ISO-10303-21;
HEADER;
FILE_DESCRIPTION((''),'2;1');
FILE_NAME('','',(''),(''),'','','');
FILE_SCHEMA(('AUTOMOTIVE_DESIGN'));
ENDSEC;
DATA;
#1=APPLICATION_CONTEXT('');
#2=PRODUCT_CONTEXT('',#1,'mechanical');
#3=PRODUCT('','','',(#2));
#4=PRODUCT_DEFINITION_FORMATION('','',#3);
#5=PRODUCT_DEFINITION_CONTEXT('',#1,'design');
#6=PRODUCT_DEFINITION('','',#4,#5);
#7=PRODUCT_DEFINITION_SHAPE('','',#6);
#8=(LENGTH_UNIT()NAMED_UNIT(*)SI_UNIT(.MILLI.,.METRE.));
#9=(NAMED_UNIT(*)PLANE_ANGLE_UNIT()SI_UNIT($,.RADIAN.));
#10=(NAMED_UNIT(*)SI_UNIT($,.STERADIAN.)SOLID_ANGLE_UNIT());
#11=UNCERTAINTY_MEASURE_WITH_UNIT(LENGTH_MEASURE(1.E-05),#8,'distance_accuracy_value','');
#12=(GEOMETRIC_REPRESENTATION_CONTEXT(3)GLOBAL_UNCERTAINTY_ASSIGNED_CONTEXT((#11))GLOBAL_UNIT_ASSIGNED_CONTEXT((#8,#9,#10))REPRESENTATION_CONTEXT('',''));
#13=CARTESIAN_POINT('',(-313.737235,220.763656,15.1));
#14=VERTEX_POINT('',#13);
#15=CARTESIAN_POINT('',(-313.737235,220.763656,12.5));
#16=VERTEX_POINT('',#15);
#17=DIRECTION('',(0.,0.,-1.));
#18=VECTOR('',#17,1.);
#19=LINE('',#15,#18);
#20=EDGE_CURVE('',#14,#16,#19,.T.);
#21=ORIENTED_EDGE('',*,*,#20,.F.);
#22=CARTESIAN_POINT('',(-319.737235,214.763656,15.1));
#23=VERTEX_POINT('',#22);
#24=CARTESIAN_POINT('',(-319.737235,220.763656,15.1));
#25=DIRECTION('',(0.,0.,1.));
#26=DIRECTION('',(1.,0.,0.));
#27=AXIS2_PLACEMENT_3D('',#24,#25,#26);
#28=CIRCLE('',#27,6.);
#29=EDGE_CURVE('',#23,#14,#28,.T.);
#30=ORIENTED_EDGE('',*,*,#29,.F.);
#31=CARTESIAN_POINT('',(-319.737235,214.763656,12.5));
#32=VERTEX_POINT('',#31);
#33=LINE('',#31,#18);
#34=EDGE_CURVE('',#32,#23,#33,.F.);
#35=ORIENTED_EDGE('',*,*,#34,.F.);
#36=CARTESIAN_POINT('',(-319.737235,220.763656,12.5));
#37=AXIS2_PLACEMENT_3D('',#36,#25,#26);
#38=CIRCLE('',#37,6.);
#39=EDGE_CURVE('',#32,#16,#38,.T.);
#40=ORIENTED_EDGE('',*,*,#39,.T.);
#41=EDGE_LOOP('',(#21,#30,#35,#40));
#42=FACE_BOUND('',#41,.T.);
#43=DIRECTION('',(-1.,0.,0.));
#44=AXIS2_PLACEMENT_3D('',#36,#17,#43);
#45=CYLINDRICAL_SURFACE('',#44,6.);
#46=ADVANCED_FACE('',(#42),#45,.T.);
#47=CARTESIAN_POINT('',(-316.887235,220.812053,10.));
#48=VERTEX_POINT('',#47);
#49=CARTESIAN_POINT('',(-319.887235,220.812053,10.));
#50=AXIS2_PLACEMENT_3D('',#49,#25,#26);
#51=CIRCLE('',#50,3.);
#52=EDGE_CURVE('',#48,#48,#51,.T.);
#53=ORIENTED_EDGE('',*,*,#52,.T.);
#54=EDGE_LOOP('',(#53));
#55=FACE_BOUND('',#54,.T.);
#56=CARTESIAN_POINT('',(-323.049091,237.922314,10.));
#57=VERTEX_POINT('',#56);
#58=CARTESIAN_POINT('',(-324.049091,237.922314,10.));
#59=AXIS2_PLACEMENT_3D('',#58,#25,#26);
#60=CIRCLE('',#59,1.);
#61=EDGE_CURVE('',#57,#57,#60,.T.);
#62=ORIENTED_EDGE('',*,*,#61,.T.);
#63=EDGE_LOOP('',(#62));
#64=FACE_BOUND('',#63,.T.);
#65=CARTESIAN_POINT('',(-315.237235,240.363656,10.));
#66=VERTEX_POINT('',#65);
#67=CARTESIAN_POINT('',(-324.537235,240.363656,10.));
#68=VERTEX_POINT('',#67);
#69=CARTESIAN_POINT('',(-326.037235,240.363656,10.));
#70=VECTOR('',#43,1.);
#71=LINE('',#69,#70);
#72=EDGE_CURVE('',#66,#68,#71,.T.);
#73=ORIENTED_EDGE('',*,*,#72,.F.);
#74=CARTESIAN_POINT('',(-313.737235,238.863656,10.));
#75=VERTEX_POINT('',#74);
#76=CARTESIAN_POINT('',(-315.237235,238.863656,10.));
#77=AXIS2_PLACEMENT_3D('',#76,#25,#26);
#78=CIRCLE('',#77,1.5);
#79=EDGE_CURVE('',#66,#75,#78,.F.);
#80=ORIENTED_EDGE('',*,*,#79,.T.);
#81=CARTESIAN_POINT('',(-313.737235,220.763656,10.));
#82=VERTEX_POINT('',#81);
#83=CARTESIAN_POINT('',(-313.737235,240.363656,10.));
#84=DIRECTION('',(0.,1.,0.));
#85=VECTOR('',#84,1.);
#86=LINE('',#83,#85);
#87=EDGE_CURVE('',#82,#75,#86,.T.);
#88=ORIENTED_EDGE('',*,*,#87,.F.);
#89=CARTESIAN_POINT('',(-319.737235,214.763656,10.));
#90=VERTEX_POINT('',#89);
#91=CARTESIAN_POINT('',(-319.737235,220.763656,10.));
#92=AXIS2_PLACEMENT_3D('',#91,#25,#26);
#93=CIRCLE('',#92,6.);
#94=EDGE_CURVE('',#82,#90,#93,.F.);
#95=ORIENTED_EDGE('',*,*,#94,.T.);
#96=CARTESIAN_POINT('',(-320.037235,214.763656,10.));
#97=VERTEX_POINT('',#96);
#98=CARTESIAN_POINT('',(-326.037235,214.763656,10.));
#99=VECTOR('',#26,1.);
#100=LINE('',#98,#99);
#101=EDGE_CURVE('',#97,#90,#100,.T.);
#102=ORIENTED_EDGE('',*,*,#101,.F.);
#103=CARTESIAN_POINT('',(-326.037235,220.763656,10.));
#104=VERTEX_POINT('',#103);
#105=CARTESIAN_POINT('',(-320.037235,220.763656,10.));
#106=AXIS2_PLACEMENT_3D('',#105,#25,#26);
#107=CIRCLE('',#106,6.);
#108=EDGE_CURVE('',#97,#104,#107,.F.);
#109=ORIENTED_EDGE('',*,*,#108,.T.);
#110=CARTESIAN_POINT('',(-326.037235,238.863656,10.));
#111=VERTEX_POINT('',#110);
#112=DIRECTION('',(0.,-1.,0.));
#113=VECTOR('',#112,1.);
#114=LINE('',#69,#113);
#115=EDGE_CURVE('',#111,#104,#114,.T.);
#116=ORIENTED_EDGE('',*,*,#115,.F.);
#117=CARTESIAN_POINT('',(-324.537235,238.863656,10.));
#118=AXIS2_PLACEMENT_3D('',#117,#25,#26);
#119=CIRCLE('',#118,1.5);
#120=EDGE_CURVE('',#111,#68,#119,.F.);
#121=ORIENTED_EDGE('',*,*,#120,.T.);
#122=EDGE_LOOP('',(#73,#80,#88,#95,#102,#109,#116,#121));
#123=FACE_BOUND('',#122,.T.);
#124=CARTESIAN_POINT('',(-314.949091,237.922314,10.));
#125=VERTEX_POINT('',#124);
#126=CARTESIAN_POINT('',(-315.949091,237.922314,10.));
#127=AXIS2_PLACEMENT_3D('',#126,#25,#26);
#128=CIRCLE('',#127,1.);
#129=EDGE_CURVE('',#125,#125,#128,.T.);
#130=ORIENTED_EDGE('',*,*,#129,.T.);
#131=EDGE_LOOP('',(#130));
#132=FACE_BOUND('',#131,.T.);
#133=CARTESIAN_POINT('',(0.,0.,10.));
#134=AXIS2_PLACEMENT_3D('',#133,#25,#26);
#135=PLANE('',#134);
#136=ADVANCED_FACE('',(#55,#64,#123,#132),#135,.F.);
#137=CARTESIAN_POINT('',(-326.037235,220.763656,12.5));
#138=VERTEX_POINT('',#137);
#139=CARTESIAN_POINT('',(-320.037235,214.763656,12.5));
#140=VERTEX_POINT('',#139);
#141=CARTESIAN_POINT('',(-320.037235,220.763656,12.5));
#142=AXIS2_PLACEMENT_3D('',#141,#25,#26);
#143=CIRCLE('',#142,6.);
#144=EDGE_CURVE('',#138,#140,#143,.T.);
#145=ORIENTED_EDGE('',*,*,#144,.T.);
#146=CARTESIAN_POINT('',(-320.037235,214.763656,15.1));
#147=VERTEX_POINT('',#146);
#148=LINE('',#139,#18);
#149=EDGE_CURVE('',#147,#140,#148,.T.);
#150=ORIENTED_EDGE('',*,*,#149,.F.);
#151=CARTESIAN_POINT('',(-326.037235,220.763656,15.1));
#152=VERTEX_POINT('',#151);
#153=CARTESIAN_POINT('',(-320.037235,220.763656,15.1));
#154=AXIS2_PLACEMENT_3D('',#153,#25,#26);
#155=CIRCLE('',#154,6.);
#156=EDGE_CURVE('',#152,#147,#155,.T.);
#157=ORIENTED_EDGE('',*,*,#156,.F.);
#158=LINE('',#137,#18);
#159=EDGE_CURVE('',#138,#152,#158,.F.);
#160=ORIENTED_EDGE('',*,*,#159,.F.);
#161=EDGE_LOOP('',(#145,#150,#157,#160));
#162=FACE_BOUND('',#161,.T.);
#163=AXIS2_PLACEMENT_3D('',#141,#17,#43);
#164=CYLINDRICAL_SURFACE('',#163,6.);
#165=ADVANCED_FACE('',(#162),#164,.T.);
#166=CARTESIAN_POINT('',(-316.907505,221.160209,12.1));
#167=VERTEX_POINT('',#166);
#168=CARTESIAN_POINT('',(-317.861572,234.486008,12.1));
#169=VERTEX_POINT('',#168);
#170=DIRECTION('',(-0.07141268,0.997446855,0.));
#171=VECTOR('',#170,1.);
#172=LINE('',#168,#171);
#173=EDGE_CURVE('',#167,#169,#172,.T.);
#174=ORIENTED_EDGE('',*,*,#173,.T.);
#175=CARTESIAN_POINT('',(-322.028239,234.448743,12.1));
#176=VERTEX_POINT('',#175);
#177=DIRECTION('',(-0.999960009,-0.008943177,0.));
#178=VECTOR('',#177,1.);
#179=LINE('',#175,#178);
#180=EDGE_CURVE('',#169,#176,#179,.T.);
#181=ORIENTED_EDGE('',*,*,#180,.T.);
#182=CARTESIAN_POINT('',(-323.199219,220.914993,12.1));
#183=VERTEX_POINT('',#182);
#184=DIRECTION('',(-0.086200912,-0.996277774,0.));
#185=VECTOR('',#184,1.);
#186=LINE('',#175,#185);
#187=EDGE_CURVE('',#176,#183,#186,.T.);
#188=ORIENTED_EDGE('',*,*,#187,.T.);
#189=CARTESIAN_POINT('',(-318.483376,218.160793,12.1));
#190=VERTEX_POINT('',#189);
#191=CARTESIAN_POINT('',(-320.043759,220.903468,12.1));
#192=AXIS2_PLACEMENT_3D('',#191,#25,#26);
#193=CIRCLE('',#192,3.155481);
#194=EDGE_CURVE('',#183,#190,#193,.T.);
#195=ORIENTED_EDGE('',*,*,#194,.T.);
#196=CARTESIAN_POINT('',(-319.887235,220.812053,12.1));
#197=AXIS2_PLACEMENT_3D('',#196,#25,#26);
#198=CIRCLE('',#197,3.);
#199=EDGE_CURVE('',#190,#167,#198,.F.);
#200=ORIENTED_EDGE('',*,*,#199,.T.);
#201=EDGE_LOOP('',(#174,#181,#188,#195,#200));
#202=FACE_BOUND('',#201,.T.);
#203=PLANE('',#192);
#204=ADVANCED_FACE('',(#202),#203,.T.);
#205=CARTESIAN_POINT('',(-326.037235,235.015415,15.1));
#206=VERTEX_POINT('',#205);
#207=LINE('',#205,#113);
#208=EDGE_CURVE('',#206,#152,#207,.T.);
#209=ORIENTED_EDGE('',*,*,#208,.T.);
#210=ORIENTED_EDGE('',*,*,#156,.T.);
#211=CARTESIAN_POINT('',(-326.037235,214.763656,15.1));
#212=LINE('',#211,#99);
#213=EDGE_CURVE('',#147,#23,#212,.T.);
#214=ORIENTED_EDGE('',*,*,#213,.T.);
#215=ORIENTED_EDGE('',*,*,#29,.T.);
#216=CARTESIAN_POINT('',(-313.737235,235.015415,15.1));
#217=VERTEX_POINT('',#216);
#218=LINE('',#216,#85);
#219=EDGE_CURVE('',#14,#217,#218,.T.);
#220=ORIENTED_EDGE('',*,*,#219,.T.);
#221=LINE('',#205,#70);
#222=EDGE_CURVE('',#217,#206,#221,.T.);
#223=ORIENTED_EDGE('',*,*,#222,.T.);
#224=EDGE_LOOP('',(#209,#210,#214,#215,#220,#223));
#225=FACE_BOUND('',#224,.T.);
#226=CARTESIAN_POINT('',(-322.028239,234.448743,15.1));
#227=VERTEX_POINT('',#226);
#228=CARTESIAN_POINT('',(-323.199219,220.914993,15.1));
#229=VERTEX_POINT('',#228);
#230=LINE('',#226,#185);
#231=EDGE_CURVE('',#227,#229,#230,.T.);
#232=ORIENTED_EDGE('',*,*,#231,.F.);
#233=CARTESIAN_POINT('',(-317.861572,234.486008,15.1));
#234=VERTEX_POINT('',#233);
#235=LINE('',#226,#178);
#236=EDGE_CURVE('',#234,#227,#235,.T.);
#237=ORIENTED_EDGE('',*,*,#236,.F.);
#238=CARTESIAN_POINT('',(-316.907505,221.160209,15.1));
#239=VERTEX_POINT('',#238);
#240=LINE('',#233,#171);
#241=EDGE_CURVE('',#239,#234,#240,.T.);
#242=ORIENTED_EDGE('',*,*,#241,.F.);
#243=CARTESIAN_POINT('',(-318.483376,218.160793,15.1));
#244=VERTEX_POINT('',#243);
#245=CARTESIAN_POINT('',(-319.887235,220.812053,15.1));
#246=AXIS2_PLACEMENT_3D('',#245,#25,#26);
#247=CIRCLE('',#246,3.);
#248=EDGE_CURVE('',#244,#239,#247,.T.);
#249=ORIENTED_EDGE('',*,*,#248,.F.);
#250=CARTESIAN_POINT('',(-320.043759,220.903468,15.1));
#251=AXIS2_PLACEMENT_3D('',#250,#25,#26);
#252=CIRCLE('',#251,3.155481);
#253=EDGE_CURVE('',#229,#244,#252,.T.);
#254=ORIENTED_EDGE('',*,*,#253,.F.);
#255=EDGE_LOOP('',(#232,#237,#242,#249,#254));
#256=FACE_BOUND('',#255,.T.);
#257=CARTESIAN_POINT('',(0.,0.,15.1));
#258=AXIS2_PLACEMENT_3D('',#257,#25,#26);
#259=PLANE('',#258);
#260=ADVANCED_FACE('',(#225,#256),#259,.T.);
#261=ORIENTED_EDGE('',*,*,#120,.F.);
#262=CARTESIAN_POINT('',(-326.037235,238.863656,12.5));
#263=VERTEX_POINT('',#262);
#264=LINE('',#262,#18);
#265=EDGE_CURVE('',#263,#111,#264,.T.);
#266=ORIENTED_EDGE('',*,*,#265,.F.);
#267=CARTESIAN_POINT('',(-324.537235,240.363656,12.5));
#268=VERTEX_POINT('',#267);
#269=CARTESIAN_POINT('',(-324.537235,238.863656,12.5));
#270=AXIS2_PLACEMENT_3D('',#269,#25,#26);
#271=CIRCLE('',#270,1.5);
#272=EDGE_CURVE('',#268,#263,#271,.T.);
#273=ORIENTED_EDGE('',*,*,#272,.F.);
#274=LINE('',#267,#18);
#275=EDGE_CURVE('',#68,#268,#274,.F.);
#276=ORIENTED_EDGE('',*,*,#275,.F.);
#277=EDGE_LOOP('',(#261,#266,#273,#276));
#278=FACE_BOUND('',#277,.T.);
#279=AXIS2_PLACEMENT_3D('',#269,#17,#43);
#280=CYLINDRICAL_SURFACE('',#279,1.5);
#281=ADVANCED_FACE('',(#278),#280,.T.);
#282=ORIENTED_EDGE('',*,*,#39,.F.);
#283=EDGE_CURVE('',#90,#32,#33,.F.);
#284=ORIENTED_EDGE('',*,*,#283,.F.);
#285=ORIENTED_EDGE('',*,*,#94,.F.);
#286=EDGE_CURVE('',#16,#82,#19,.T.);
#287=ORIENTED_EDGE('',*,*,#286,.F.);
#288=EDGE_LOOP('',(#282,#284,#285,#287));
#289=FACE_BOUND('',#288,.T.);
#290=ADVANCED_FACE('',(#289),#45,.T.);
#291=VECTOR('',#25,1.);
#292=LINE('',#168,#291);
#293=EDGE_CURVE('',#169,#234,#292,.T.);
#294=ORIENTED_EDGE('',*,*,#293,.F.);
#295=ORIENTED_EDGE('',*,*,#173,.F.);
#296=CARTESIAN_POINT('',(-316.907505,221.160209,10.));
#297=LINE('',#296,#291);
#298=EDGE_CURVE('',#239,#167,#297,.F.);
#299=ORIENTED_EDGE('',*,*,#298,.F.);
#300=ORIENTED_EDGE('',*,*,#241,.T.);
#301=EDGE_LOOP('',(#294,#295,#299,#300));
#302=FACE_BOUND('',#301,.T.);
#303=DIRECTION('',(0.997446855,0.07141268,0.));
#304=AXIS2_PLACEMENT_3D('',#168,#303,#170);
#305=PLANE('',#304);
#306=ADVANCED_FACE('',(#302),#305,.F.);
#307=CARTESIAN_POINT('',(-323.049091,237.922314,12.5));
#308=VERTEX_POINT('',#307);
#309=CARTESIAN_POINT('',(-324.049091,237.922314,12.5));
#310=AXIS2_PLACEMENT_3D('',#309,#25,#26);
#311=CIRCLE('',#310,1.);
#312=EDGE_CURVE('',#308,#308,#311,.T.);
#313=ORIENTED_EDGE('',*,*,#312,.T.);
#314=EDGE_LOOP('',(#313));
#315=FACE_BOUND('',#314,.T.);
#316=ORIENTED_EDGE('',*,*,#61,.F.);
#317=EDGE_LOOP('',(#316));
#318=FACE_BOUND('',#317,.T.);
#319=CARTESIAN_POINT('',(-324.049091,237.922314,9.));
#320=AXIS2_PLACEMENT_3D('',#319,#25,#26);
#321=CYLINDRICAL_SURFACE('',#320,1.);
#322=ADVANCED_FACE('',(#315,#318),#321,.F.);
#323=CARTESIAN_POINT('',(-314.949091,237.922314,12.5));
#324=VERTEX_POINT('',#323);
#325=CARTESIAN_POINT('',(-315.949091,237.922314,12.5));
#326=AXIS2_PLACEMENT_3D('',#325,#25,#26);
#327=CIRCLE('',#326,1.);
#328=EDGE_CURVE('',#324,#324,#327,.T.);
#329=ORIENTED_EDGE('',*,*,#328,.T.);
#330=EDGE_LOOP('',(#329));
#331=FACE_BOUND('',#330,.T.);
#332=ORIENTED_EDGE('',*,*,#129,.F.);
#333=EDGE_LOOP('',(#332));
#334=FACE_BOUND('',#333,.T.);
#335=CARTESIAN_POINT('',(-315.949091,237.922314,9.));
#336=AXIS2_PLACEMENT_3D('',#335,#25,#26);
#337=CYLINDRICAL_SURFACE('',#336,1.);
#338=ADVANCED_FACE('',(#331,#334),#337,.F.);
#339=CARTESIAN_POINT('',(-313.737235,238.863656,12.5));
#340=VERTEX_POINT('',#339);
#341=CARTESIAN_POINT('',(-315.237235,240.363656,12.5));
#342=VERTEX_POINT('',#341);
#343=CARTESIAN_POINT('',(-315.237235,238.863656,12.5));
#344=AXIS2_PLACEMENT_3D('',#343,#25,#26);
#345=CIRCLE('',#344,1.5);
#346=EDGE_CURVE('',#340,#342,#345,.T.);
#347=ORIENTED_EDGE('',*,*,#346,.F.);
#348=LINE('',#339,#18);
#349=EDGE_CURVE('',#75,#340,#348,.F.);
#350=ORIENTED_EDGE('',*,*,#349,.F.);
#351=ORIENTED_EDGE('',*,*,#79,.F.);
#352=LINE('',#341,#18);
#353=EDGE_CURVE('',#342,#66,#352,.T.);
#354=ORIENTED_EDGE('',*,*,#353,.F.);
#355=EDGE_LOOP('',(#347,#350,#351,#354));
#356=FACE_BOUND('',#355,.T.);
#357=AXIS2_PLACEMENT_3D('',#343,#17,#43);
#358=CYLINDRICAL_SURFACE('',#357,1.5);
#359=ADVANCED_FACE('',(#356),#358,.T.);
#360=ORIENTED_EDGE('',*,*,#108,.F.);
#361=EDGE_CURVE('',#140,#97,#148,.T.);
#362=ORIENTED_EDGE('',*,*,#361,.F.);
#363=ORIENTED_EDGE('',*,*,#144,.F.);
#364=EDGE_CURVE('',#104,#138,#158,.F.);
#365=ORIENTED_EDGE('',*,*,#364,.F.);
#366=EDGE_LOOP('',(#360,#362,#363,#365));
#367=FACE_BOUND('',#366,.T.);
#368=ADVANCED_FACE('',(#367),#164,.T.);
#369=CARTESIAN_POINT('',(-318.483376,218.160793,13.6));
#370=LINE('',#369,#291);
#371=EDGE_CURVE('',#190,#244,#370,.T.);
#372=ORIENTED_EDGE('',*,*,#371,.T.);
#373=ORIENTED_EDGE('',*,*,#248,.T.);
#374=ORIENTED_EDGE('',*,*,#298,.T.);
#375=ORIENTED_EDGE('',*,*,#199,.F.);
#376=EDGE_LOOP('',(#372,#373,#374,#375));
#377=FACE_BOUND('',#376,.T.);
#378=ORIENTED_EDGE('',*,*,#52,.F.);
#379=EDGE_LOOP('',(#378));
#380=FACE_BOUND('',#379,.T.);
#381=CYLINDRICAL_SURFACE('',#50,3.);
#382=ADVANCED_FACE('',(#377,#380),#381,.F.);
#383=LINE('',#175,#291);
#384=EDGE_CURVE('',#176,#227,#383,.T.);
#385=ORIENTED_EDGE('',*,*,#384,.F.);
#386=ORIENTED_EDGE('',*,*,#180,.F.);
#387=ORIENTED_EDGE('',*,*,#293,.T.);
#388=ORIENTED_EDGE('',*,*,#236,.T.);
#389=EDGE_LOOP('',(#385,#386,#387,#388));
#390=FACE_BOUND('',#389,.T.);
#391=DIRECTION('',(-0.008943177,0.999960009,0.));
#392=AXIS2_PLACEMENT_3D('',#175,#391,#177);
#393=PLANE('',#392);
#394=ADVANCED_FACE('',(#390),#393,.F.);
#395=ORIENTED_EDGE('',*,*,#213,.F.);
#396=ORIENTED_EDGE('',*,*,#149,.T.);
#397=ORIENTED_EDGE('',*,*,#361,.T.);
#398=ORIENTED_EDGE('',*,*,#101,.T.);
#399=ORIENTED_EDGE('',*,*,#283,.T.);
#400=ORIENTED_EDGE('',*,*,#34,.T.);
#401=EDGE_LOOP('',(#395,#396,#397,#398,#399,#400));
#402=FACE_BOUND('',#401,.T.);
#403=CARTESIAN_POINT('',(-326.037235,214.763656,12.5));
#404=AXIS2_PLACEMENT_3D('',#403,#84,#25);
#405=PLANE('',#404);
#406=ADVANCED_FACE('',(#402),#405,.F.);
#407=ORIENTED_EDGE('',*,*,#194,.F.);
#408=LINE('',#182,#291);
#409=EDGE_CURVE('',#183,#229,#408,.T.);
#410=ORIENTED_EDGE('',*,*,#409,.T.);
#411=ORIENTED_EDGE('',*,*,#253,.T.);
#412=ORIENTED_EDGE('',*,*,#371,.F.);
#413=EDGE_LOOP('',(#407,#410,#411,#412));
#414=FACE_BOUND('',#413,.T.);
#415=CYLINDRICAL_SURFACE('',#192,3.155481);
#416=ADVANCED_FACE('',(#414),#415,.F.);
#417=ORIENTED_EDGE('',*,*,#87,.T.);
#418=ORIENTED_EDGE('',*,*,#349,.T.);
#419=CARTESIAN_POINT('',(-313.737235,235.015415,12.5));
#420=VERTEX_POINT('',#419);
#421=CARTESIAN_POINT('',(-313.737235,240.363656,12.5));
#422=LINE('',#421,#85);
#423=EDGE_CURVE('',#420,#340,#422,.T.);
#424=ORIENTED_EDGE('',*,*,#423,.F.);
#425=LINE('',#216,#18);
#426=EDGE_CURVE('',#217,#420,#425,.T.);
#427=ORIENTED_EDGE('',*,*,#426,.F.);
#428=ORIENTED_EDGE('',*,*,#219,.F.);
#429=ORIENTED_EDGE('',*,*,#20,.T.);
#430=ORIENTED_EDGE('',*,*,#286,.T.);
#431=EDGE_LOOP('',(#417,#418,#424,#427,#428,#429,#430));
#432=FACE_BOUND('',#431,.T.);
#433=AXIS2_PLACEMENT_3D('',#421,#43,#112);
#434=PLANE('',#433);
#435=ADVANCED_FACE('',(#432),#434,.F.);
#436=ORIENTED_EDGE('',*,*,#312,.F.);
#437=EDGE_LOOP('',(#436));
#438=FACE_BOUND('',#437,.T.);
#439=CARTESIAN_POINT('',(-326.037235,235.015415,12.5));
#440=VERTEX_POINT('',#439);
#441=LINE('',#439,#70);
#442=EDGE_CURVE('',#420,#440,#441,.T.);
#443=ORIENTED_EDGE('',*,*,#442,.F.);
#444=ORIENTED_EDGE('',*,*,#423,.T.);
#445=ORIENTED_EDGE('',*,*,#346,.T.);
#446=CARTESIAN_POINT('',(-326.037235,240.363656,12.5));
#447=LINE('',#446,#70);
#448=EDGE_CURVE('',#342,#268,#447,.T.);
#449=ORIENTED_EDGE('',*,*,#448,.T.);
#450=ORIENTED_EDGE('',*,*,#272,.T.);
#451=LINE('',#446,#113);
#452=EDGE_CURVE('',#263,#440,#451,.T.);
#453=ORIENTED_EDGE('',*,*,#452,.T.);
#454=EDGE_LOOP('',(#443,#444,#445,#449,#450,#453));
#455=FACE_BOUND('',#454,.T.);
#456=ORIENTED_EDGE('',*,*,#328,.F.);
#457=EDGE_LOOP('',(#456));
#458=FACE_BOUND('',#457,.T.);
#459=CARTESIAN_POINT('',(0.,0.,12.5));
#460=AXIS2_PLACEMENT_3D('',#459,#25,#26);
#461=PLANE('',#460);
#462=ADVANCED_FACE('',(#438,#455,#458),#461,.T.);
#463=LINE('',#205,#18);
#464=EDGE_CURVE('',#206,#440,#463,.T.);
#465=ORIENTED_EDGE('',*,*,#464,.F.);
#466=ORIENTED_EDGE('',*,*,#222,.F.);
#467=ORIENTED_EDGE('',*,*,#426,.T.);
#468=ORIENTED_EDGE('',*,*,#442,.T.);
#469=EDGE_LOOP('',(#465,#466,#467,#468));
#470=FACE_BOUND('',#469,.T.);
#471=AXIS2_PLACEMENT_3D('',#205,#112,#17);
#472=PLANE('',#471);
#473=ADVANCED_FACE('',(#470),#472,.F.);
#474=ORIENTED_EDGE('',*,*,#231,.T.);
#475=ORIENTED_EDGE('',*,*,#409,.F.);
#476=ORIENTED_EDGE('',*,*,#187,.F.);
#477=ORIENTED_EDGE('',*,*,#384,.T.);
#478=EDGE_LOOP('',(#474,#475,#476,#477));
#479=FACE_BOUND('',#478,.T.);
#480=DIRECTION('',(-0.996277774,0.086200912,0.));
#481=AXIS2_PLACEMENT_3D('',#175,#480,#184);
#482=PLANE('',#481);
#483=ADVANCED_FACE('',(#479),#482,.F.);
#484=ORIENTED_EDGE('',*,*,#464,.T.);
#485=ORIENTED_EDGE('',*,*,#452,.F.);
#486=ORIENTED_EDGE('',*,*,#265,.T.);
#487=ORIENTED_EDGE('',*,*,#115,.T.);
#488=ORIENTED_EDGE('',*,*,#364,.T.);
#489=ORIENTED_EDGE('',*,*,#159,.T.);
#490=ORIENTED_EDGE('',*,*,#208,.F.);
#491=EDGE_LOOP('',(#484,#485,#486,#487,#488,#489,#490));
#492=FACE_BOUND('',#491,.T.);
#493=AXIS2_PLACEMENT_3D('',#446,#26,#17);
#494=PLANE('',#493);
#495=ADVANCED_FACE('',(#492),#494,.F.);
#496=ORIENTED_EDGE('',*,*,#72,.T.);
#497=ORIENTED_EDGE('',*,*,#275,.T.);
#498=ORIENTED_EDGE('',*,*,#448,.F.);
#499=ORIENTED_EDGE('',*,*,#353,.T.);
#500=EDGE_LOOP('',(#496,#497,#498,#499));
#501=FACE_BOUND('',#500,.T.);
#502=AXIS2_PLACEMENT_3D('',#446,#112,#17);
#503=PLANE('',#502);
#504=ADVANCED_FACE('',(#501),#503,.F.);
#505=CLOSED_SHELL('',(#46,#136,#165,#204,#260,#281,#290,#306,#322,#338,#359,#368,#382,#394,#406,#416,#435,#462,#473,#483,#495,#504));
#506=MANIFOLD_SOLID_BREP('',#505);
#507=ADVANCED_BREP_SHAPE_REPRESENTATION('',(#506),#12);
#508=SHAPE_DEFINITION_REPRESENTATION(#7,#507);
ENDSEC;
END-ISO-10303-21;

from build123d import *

# Parameters (mm, degrees)
BOSS_EXTRUDE1_DEPTH = 2.5
FILLET1_R           = 6
FILLET2_R           = 1.5
SKETCH3_R           = 0.9999999999999983
CUT_EXTRUDE1_DEPTH  = 3.5
SKETCH4_W           = 12.299999999999898
SKETCH4_H           = 20.25175916550927
BOSS_EXTRUDE2_DEPTH = 2.6
FILLET3_R           = 6
SKETCH5_R           = 2.9999999999999947
CUT_EXTRUDE2_DEPTH  = 406.0937861882827
CUT_EXTRUDE3_DEPTH  = 3


with BuildPart() as part:
    # Sketch2 → Boss-Extrude1 (new body)
    with BuildSketch(Plane.XY.offset(10)):
        Polygon((-326.0372348081085, 240.3636560028167), (-313.73723480810855, 240.3636560028167), (-313.7372348081086, 214.7636560028167), (-326.0372348081085, 214.7636560028167), align=None)
    extrude(amount=BOSS_EXTRUDE1_DEPTH)

    # Fillet1
    fillet1_edges = [part.edges().sort_by_distance(p)[0] for p in [
        (-313.7372348081086, 214.7636560028167, 11.25),
        (-326.0372348081085, 214.7636560028167, 11.25),
    ]]
    fillet(fillet1_edges, radius=FILLET1_R)

    # Fillet2
    fillet2_edges = [part.edges().sort_by_distance(p)[0] for p in [
        (-326.0372348081085, 240.3636560028167, 11.25),
        (-313.73723480810855, 240.3636560028167, 11.25),
    ]]
    fillet(fillet2_edges, radius=FILLET2_R)

    # Sketch3 → Cut-Extrude1 (cut)
    with BuildSketch(Plane.XY.offset(12.5)):
        with Locations((-324.0490905957561, 237.92231401546465)):
            Circle(SKETCH3_R)
        with Locations((-315.94909059575616, 237.92231401546465)):
            Circle(SKETCH3_R)
    extrude(amount=-CUT_EXTRUDE1_DEPTH, mode=Mode.SUBTRACT)

    # Sketch4 → Boss-Extrude2 (add)
    with BuildSketch(Plane.XY.offset(12.5)):
        with Locations((-319.8872348081086, 224.88953558557134)):
            Rectangle(SKETCH4_W, SKETCH4_H)
    extrude(amount=BOSS_EXTRUDE2_DEPTH)

    # Fillet3
    fillet3_edges = [part.edges().sort_by_distance(p)[0] for p in [
        (-313.7372348081086, 214.7636560028167, 13.8),
        (-326.0372348081085, 214.7636560028167, 13.8),
    ]]
    fillet(fillet3_edges, radius=FILLET3_R)

    # Sketch5 → Cut-Extrude2 (cut, through all)
    with BuildSketch(Plane.XY.offset(15.100000000000001)):
        with Locations((-319.88723480810853, 220.81205289784253)):
            Circle(SKETCH5_R)
    extrude(amount=-CUT_EXTRUDE2_DEPTH, mode=Mode.SUBTRACT)

    # Sketch6 → Cut-Extrude3 (cut)
    with BuildSketch(Plane.XY.offset(15.100000000000001)):
        with BuildLine():
            Line((-322.02823852882625, 234.448742964222), (-317.861572265625, 234.4860076904297))
            Line((-317.861572265625, 234.4860076904297), (-316.8882987164766, 220.89194231082783))
            ThreePointArc((-316.8882987164766, 220.89194231082783), (-320.05528422089077, 217.74800778171863), (-323.19921875, 220.9149932861328))
            Line((-323.19921875, 220.9149932861328), (-322.02823852882625, 234.448742964222))
        make_face()
    extrude(amount=-CUT_EXTRUDE3_DEPTH, mode=Mode.SUBTRACT)


solid = part.part
